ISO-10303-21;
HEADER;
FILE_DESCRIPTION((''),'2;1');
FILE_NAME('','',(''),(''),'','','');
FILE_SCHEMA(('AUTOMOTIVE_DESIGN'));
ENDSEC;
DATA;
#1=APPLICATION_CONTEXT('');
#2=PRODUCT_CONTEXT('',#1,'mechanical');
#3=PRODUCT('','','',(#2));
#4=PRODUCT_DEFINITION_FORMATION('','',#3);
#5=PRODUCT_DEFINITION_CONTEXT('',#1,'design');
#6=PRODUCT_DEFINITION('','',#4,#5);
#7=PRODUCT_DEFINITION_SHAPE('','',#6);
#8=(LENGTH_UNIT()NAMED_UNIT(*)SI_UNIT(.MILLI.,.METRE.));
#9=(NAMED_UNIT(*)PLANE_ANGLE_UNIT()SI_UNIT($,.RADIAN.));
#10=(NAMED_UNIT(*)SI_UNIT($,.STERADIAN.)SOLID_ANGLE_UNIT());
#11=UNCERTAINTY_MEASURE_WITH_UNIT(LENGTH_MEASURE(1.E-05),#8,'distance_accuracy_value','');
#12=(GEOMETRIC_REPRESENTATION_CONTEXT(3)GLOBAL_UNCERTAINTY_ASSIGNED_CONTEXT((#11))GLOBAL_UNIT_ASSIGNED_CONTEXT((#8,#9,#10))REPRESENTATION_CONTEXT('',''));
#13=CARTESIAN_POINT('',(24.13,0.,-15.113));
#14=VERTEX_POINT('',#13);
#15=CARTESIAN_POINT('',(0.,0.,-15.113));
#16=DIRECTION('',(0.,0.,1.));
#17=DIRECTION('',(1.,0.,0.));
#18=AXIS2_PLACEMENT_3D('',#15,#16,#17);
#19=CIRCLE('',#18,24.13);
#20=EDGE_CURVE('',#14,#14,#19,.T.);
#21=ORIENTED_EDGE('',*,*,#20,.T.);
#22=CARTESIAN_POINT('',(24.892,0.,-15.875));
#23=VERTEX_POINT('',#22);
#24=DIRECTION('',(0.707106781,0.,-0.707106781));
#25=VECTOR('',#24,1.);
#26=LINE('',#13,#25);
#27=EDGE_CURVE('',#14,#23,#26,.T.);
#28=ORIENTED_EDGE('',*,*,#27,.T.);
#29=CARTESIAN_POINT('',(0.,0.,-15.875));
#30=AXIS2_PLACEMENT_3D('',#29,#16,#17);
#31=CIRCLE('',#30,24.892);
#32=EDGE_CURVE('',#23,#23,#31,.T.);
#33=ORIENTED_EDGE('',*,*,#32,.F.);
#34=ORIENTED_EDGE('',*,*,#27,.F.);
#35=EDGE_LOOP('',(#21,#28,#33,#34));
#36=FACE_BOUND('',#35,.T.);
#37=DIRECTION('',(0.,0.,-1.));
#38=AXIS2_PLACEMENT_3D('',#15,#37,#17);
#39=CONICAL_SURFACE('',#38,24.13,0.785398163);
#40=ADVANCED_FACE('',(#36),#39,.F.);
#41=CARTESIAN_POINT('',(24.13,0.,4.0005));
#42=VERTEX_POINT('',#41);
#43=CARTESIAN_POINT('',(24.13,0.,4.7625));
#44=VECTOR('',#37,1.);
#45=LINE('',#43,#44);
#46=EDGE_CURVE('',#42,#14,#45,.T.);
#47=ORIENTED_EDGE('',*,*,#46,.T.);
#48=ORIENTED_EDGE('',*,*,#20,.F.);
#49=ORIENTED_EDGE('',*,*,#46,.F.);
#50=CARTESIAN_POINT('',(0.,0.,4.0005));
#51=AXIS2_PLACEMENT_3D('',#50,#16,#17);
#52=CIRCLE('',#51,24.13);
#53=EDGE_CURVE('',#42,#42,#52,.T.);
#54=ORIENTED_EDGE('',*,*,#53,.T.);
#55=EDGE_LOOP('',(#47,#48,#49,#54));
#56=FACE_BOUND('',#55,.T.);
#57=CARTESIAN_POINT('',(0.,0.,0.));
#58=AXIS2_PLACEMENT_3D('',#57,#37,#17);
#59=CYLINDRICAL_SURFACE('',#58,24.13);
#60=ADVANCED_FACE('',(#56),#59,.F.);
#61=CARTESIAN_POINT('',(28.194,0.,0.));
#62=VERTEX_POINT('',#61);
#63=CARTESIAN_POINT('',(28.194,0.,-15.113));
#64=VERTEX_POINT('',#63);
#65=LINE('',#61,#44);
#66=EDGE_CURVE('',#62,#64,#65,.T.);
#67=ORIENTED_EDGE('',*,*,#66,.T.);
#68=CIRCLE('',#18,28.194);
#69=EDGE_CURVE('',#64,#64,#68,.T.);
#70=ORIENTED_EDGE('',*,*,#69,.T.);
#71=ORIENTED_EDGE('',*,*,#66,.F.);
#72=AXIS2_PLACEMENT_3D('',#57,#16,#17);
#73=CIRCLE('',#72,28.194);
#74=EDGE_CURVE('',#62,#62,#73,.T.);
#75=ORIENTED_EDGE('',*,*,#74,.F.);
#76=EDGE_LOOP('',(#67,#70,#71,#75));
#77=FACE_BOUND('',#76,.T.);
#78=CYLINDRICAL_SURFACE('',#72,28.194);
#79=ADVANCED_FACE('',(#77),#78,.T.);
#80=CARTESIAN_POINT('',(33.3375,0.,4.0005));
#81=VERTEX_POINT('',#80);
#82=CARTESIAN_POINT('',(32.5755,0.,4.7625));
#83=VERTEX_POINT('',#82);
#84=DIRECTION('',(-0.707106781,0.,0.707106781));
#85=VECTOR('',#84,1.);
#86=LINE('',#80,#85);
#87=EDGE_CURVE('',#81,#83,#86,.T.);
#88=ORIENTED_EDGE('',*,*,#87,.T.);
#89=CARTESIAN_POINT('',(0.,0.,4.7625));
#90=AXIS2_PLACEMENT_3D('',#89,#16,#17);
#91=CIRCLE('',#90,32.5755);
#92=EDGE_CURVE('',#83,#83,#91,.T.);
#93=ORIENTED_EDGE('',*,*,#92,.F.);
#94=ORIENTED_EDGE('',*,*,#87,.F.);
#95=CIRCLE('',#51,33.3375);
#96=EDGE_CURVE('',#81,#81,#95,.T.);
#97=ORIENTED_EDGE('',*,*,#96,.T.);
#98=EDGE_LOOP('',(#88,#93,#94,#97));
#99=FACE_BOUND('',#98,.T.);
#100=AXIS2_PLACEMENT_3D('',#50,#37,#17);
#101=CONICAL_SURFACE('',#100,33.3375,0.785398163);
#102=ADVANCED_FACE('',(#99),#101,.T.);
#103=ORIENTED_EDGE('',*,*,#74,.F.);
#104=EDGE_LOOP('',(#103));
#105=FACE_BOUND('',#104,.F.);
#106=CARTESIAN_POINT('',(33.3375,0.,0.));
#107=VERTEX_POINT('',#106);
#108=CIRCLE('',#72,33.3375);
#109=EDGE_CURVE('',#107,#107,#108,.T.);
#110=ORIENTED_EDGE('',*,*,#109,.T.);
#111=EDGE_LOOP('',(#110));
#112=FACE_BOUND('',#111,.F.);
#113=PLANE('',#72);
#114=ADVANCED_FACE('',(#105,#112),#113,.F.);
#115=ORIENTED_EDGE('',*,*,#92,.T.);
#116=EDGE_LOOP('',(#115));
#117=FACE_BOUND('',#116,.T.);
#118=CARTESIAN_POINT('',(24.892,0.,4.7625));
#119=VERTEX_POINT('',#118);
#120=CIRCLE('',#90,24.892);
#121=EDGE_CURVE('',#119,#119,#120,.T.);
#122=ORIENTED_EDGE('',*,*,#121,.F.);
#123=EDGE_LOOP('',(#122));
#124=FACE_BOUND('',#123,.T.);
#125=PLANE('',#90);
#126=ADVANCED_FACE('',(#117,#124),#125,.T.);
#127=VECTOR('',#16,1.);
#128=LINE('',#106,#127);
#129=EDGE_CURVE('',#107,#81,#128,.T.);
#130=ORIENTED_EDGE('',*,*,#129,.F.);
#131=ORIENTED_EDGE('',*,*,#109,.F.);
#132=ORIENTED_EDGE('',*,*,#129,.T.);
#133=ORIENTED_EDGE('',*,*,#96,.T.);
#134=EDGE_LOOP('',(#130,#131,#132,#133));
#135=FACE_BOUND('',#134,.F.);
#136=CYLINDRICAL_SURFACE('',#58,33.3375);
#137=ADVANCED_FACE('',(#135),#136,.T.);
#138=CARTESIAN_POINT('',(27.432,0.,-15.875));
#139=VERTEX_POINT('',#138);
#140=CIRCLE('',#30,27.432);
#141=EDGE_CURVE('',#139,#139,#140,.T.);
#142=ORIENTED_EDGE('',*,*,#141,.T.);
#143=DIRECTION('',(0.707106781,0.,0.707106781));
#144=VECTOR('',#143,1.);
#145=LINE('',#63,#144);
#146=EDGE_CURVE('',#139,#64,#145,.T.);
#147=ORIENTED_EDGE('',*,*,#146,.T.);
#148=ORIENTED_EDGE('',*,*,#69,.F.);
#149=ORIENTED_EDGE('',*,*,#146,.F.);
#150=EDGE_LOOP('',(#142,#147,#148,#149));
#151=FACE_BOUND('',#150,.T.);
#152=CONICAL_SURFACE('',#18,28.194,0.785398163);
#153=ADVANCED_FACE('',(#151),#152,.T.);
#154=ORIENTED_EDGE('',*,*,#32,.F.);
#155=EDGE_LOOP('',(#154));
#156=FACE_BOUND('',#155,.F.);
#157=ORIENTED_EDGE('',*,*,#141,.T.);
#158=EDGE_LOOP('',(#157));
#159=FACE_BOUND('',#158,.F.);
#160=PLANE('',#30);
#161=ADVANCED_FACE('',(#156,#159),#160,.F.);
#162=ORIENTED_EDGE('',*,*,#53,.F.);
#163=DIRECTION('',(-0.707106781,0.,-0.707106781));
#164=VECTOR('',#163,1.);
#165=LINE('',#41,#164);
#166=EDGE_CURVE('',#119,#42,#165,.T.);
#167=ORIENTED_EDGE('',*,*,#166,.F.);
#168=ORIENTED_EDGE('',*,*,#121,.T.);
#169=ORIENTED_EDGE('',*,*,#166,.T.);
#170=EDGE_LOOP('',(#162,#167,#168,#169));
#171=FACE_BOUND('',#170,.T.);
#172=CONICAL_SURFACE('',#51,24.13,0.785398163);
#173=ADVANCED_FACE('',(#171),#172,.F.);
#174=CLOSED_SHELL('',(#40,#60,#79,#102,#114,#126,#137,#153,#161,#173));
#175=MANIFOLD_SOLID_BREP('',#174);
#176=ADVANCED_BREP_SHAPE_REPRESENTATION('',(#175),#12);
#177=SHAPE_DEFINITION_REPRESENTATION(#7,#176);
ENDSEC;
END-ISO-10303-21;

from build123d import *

# Parameters (mm, degrees)
F0_R     = 28.194
F0_R_2   = 24.13
F1_DEPTH = 15.875
F2_R     = 33.3375
F2_R_2   = 24.13
F3_DEPTH = 4.7625
F4_SIZE  = 0.762


with BuildPart() as f1:
    # F0 (on Top) → F1 (new body)
    with BuildSketch(Plane.XY):
        Circle(F0_R)
        Circle(F0_R_2, mode=Mode.SUBTRACT)
    extrude(amount=-F1_DEPTH)

    # F2 (on Top) → F3 (join)
    with BuildSketch(Plane.XY):
        Circle(F2_R)
        Circle(F2_R_2, mode=Mode.SUBTRACT)
    extrude(amount=F3_DEPTH)

    # F4
    f4_edges = [f1.edges().sort_by_distance(p)[0] for p in [
        (-33.3375, 0, 4.7625),
        (-24.13, 0, 4.7625),
        (-28.194, 0, -15.875),
        (-24.13, 0, -15.875),
    ]]
    chamfer(f4_edges, length=F4_SIZE)


solid = f1.part
